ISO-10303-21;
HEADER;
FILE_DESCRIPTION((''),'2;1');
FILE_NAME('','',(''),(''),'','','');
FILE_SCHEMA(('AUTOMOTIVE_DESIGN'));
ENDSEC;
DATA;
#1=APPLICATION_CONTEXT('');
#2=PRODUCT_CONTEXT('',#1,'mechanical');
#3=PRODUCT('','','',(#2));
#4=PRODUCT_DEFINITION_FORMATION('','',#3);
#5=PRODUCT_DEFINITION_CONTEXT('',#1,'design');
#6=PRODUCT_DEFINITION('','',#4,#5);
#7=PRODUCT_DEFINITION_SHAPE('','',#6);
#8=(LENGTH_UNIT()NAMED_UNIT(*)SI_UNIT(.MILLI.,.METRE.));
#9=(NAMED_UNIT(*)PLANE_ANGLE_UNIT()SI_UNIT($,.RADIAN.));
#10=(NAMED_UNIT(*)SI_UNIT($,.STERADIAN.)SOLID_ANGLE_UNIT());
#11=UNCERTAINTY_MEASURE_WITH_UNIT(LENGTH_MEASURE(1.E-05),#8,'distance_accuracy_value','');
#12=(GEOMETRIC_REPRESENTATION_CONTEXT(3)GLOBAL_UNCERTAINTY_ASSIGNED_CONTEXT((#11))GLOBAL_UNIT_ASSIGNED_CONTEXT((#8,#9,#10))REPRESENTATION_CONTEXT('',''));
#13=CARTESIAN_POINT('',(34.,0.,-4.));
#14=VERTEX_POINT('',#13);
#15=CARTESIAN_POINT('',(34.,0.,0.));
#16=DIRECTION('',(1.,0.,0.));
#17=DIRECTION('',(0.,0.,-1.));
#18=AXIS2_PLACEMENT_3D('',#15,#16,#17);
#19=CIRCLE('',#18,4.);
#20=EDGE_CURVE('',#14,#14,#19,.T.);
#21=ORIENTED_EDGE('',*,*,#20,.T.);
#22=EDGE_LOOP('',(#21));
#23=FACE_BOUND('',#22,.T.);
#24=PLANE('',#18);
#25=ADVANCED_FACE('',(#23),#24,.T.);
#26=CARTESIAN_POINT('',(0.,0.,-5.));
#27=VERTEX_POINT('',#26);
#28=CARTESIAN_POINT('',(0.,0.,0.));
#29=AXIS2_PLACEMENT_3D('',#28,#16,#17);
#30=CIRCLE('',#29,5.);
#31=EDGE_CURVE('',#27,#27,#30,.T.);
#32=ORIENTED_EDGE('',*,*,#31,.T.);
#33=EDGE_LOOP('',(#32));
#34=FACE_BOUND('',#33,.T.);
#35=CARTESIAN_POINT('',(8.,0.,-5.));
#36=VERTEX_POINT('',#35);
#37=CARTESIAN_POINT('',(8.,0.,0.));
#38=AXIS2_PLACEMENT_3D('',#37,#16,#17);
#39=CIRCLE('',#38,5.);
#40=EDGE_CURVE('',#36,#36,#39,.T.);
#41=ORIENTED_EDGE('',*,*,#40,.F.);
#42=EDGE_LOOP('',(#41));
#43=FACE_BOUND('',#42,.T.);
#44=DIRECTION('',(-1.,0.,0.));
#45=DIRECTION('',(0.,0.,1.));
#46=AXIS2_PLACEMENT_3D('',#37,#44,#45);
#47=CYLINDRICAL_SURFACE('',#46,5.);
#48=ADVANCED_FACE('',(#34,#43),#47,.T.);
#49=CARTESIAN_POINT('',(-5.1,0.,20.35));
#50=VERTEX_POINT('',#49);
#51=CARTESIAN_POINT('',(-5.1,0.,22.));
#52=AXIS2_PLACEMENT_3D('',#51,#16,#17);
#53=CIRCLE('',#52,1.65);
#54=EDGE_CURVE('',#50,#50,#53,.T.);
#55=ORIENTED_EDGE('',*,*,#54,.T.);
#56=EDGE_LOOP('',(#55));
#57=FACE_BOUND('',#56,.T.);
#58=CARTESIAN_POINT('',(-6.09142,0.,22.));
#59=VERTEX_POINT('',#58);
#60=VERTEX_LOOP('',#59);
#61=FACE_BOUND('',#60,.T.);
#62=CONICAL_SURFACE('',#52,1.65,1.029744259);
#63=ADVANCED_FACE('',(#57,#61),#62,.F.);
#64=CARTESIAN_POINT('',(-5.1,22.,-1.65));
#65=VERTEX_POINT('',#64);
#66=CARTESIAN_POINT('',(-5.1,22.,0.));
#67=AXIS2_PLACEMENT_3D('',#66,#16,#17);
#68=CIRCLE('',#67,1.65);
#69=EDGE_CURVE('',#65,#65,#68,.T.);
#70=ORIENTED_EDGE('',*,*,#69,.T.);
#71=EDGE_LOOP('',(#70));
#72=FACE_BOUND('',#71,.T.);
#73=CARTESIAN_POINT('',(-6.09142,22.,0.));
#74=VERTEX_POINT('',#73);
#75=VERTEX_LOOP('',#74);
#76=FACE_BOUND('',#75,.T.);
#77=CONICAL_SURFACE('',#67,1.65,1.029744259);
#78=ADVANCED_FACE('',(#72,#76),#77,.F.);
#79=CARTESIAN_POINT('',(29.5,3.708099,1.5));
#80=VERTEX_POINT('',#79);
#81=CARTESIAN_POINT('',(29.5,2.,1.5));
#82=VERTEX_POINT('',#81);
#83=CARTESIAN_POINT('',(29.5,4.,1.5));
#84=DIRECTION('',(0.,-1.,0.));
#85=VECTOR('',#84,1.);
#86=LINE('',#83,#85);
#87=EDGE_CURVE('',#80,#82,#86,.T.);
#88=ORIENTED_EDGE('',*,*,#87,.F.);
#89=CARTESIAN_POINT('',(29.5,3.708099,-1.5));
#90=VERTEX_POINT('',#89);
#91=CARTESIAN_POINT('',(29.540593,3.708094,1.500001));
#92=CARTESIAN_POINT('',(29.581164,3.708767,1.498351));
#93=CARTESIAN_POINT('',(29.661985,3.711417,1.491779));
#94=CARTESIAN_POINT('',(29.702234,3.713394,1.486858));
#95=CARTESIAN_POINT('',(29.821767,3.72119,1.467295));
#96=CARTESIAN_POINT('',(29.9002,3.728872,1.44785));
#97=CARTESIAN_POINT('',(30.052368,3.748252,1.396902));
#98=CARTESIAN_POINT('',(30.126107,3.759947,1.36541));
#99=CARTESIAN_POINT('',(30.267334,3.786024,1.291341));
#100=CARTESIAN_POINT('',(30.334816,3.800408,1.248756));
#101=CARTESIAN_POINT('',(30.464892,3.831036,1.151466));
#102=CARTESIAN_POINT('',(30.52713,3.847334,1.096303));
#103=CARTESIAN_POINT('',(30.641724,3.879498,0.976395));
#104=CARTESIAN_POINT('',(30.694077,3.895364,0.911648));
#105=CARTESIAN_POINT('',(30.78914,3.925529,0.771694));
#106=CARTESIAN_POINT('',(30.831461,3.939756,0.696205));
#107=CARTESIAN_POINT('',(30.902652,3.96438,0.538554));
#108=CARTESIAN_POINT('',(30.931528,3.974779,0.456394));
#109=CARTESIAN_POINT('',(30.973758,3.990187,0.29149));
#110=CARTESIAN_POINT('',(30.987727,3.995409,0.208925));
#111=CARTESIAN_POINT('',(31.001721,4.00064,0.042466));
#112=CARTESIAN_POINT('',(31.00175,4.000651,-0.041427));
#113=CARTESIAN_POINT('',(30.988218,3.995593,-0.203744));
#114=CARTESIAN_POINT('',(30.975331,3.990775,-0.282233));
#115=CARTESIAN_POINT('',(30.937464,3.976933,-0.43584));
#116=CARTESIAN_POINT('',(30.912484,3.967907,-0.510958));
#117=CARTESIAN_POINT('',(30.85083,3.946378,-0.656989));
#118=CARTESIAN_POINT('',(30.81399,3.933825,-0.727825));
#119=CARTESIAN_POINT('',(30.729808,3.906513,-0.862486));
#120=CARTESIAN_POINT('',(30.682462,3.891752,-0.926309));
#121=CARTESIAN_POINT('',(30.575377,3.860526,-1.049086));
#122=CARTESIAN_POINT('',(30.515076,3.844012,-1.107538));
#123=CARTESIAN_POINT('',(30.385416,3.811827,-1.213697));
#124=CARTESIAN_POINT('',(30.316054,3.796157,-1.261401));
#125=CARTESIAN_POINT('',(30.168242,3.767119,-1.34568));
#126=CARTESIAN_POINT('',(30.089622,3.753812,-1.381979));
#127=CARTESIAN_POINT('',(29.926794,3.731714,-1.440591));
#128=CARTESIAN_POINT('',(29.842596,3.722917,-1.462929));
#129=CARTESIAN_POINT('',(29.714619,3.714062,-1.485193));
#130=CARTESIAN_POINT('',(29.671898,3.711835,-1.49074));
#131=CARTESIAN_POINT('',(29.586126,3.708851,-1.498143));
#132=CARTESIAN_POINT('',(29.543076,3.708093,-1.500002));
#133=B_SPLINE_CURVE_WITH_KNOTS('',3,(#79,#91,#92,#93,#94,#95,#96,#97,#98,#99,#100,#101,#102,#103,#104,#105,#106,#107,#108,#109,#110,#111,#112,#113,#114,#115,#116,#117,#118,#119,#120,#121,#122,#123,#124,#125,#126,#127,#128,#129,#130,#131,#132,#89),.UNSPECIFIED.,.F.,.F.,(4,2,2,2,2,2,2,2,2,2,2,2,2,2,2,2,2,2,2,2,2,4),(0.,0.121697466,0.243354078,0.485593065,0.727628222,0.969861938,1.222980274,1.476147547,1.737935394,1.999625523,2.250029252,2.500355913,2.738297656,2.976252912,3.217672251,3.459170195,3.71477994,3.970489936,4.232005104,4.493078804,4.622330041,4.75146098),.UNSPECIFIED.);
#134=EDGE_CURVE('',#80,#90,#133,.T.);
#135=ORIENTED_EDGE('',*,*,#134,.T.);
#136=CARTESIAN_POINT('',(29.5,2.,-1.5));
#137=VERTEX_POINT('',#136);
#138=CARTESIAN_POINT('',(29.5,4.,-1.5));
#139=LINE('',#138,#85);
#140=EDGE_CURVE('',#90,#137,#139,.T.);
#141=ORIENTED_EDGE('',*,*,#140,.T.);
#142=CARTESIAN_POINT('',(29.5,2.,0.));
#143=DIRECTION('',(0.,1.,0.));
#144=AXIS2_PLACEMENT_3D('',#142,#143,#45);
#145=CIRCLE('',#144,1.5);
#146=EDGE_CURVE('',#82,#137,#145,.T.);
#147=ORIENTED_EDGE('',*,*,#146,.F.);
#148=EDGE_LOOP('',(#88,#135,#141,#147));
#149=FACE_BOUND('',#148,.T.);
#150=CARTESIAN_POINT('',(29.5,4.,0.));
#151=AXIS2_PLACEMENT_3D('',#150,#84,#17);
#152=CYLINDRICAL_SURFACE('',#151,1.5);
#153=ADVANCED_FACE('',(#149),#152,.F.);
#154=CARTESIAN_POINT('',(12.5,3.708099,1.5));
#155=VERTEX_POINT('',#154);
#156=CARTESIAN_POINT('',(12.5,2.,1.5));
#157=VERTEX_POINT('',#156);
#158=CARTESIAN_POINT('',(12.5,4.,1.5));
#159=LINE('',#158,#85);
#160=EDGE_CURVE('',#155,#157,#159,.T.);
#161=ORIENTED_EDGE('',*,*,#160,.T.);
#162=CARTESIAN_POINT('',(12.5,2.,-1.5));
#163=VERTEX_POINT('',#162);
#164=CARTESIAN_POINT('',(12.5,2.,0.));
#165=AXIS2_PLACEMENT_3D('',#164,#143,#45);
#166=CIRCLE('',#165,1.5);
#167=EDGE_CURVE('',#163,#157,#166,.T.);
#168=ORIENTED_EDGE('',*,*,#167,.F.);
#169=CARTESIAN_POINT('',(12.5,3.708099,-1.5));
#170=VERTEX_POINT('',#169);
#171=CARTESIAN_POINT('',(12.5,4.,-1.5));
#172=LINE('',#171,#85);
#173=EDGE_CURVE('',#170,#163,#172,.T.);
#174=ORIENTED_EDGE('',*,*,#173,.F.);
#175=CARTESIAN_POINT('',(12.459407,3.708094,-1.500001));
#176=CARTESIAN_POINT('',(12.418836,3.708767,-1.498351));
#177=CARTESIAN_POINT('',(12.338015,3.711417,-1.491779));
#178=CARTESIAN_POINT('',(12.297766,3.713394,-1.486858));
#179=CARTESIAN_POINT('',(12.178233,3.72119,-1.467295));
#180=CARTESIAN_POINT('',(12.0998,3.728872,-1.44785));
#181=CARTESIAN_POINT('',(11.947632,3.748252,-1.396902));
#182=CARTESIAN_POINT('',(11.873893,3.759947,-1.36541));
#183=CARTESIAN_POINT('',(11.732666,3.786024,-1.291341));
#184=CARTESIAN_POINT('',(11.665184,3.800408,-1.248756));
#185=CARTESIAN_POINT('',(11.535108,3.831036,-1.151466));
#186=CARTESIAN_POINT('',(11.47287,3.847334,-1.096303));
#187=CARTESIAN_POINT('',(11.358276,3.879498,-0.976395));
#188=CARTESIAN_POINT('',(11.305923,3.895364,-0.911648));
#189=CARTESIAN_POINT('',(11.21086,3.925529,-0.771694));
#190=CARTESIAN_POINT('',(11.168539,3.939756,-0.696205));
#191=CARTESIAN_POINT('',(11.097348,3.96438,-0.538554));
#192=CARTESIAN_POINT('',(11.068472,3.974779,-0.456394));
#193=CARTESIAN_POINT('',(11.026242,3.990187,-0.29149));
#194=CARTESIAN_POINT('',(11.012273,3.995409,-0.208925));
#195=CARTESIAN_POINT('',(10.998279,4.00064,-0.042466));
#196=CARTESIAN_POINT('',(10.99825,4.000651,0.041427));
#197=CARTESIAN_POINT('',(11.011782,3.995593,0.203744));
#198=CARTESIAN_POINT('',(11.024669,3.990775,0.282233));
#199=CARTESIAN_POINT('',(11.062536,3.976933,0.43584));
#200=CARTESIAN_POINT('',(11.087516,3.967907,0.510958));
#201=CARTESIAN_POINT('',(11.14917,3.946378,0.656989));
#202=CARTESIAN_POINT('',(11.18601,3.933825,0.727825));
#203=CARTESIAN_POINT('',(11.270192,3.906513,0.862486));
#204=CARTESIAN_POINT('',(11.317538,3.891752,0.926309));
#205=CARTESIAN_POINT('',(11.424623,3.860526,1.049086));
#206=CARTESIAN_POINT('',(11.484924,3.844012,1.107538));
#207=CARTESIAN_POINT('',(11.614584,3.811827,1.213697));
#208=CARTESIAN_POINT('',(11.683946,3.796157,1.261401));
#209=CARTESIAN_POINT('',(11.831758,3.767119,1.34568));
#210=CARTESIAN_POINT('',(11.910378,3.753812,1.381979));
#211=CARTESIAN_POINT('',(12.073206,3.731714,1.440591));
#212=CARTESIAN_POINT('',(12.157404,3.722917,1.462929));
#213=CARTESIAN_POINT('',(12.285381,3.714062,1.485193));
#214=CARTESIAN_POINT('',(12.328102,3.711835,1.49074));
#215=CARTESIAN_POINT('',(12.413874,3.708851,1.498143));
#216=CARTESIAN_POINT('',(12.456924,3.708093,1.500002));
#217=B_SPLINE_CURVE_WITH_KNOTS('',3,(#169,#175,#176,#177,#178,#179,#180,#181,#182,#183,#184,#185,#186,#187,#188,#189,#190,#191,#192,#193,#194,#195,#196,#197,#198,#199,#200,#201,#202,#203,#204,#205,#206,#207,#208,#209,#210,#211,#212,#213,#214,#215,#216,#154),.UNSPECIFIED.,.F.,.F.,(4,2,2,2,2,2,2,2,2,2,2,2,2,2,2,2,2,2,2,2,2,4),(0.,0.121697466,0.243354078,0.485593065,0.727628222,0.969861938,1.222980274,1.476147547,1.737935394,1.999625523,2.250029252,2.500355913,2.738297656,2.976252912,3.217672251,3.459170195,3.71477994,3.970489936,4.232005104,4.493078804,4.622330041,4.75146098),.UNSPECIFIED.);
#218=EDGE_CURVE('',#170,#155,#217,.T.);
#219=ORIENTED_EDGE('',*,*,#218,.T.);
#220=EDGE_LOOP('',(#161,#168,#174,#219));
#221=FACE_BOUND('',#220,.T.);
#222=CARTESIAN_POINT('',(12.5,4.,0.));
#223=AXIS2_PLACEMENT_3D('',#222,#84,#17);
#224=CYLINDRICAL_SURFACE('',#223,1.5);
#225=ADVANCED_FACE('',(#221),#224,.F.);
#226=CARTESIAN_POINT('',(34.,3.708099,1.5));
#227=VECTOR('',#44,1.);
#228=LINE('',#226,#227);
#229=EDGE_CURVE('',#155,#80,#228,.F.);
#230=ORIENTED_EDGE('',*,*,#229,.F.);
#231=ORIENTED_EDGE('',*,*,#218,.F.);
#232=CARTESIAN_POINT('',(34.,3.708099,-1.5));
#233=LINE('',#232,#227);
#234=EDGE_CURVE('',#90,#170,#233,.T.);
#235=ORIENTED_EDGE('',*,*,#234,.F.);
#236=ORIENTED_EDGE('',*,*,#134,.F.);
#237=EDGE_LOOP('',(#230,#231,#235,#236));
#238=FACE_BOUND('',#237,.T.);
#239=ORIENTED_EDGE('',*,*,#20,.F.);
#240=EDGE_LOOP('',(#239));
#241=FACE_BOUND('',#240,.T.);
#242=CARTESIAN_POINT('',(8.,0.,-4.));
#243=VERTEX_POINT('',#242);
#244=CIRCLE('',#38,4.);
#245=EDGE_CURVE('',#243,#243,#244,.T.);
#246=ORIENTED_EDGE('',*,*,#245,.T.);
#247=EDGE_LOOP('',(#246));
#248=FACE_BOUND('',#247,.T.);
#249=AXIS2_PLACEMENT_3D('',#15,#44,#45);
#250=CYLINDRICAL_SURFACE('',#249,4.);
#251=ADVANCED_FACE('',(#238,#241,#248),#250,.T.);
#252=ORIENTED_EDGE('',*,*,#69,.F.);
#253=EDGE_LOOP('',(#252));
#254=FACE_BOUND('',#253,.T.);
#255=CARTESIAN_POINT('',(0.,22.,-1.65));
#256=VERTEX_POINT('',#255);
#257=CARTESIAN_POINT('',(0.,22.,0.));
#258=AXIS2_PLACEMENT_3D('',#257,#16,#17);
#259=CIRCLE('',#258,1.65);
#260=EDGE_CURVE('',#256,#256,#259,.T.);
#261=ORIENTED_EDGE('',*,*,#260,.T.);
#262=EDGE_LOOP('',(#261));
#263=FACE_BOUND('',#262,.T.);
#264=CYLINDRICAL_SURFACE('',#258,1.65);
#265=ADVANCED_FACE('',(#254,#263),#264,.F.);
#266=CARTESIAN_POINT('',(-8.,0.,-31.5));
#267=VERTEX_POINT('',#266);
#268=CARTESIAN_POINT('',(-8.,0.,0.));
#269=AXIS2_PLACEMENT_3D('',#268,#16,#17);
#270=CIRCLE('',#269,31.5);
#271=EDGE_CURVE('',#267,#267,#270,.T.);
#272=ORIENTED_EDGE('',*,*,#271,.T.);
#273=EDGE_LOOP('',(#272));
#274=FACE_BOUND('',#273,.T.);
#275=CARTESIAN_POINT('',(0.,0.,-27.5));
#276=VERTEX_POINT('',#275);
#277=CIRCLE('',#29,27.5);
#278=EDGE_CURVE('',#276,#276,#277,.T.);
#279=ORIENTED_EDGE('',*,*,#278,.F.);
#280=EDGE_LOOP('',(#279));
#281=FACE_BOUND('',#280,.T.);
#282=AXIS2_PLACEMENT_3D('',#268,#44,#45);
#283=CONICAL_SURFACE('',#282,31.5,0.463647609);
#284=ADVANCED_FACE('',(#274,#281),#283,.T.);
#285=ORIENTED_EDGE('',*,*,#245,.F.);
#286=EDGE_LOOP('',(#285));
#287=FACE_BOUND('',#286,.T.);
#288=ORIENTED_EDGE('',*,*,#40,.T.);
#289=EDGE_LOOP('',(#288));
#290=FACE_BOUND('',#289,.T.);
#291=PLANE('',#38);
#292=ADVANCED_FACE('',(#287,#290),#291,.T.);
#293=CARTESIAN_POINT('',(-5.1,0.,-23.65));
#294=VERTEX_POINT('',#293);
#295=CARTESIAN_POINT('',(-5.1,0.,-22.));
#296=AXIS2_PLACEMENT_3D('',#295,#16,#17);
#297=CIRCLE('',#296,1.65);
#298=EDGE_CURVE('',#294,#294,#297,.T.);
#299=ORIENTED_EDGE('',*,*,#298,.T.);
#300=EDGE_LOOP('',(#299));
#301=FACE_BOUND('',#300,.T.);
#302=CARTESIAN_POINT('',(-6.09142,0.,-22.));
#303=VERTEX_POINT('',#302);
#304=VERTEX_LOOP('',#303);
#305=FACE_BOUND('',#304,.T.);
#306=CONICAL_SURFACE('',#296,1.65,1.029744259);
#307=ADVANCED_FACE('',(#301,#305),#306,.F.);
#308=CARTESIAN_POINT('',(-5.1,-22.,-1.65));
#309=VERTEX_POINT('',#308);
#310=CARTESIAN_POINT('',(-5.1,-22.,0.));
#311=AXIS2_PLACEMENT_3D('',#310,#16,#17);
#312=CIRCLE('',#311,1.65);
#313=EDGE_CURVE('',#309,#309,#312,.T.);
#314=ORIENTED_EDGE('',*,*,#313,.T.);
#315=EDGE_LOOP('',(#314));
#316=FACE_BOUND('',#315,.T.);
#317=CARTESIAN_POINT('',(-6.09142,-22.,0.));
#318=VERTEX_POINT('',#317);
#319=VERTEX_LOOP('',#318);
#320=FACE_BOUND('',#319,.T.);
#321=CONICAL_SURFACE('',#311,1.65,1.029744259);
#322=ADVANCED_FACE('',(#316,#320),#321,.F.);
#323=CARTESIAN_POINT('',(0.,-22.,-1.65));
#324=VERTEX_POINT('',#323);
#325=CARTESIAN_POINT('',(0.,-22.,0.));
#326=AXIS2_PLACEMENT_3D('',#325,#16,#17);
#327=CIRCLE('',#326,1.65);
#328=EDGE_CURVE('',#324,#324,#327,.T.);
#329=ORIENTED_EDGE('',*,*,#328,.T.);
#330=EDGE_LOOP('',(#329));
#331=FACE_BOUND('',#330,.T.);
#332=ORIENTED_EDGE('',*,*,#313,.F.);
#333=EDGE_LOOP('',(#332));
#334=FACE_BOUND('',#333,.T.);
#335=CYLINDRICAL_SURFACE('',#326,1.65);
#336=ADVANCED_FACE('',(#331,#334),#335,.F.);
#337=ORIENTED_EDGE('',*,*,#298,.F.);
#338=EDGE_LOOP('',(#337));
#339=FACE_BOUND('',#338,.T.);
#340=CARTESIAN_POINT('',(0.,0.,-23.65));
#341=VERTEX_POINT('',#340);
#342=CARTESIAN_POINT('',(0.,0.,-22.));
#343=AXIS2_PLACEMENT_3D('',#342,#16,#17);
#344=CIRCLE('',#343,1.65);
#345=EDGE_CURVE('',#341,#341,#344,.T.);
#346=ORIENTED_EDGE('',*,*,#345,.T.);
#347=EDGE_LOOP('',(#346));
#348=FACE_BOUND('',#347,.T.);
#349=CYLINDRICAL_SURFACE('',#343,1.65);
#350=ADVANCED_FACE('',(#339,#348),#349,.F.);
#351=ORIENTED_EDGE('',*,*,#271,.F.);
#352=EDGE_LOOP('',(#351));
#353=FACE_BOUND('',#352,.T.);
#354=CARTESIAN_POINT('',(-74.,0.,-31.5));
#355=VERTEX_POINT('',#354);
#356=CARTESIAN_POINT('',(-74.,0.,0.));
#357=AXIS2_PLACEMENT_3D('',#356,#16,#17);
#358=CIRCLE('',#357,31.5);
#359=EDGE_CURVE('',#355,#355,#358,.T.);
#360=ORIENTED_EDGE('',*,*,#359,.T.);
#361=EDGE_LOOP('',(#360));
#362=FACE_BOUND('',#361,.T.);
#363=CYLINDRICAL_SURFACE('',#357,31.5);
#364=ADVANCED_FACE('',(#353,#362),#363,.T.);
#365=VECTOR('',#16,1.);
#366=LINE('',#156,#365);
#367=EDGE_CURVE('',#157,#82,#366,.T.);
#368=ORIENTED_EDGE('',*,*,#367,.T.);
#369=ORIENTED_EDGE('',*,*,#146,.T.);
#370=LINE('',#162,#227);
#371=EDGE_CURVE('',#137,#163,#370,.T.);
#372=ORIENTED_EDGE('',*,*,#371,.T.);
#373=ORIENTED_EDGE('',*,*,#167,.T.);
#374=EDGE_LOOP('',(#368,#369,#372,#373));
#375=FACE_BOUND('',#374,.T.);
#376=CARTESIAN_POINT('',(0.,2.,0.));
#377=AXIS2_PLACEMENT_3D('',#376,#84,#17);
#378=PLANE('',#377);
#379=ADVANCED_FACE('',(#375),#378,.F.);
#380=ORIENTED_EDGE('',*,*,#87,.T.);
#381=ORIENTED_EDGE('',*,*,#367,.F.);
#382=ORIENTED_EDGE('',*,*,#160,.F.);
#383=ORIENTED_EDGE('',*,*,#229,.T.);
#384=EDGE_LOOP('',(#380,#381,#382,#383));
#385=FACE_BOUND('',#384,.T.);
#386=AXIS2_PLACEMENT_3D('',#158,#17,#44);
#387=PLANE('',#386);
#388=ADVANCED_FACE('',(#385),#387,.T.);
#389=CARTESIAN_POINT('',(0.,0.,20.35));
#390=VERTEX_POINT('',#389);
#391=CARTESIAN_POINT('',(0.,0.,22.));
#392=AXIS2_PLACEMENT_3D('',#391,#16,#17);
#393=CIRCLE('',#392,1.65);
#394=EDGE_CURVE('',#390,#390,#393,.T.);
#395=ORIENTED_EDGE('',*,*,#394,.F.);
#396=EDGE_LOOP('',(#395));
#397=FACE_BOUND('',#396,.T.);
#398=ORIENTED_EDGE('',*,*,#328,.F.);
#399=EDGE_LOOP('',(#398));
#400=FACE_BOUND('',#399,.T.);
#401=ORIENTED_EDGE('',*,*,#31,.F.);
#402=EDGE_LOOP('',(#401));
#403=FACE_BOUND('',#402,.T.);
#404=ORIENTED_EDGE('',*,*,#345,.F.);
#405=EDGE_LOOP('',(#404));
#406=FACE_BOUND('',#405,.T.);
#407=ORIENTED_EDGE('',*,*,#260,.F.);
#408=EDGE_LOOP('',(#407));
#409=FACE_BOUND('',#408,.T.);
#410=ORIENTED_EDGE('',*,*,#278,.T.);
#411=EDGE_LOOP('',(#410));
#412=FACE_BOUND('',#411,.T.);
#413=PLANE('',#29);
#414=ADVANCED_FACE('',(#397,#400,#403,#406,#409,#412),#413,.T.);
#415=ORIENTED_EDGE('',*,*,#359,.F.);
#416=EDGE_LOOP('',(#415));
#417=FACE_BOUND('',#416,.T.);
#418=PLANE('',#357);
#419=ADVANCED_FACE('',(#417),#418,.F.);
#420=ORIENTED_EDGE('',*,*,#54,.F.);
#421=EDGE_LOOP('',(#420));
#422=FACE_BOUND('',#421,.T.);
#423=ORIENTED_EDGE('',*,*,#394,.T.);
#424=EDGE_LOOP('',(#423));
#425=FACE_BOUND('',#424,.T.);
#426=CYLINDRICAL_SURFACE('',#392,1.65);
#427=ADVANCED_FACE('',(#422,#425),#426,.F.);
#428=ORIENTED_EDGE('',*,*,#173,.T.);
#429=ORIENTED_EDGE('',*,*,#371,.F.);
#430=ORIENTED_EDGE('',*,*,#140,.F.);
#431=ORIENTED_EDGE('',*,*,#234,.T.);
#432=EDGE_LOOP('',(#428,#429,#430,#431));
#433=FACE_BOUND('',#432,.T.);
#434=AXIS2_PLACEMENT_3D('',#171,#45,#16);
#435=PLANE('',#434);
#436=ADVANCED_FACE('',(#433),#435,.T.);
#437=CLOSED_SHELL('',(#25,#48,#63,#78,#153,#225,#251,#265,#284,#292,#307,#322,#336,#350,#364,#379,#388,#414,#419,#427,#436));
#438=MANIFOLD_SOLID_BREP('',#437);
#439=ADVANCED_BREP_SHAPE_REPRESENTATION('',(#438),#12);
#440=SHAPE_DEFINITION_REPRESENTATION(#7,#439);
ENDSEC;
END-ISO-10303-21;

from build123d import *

# Parameters (mm, degrees)
SKETCH_1_R          = 31.5
EXTRUDE_1_DEPTH     = 74
SKETCH_2_R          = 5
EXTRUDE_2_DEPTH     = 8
SKETCH_3_R          = 4
EXTRUDE_3_DEPTH     = 26
CUT_EXTRUDE_1_DEPTH = 2
M4X0_7_1_D          = 3.3
M4X0_7_1_DEPTH      = 5.1
M4X0_7_1_TIP        = 0.991420021


with BuildPart() as part:
    # 草图1 → 凸台-拉伸1 (new body)
    with BuildSketch(Plane(origin=(0, 0, 0), x_dir=(0, 0, -1), z_dir=(1, 0, 0))):
        Circle(SKETCH_1_R)
    extrude(amount=-EXTRUDE_1_DEPTH)

    # 草图2 → 凸台-拉伸2 (add)
    with BuildSketch(Plane(origin=(0, 0, 0), x_dir=(0, 0, -1), z_dir=(1, 0, 0))):
        Circle(SKETCH_2_R)
    extrude(amount=EXTRUDE_2_DEPTH)

    # 草图3 → 凸台-拉伸3 (add)
    with BuildSketch(Plane(origin=(8, 0, 0), x_dir=(0, 0, -1), z_dir=(1, 0, 0))):
        with Locations(Location((0, 0, 0), (0, 0, 180))):
            Circle(SKETCH_3_R)
    extrude(amount=EXTRUDE_3_DEPTH)

    # Sketch 3D_1 → 切除-拉伸1 (cut)
    with BuildSketch(Plane(origin=(12.5, 4, 1.5), x_dir=(0.9847835588179368, 0, -0.17378533390904766), z_dir=(0, -1, 0))):
        with BuildLine():
            Line((0, 0), (16.7413205, 2.954350676))
            ThreePointArc((16.7413205, 2.954350676), (18.479173839, 1.737853339), (17.262676502, 0))
            Line((17.262676502, 0), (0.521356002, -2.954350676))
            ThreePointArc((0.521356002, -2.954350676), (-1.216497337, -1.737853339), (0, 0))
        make_face()
    extrude(amount=CUT_EXTRUDE_1_DEPTH, mode=Mode.SUBTRACT)

    # M4x0.7 螺纹孔1
    with Locations(Plane(origin=(0, 22, 0), x_dir=(0, 0, 1), z_dir=(1, 0, 0))):
        with Locations((0, 0), (-22, 22), (0, 44), (22, 22)):
            Hole(M4X0_7_1_D / 2, depth=M4X0_7_1_DEPTH)
            with Locations((0, 0, -(M4X0_7_1_DEPTH + M4X0_7_1_TIP / 2))):  # 118° drill point
                Cone(0, M4X0_7_1_D / 2, M4X0_7_1_TIP, mode=Mode.SUBTRACT)

    # 草图9 → 切除-旋转1 (revolve, cut)
    with BuildSketch(Plane.XY, mode=Mode.PRIVATE) as cut_revolve_1_sk:
        Polygon((0, 31.5), (0, 27.5), (-8, 31.5), align=None)
    revolve(cut_revolve_1_sk.sketch.rotate(Axis((0, 0, 0), (-1, 0, 0)), 90), axis=Axis((0, 0, 0), (-1, 0, 0)), mode=Mode.SUBTRACT)


solid = part.part
